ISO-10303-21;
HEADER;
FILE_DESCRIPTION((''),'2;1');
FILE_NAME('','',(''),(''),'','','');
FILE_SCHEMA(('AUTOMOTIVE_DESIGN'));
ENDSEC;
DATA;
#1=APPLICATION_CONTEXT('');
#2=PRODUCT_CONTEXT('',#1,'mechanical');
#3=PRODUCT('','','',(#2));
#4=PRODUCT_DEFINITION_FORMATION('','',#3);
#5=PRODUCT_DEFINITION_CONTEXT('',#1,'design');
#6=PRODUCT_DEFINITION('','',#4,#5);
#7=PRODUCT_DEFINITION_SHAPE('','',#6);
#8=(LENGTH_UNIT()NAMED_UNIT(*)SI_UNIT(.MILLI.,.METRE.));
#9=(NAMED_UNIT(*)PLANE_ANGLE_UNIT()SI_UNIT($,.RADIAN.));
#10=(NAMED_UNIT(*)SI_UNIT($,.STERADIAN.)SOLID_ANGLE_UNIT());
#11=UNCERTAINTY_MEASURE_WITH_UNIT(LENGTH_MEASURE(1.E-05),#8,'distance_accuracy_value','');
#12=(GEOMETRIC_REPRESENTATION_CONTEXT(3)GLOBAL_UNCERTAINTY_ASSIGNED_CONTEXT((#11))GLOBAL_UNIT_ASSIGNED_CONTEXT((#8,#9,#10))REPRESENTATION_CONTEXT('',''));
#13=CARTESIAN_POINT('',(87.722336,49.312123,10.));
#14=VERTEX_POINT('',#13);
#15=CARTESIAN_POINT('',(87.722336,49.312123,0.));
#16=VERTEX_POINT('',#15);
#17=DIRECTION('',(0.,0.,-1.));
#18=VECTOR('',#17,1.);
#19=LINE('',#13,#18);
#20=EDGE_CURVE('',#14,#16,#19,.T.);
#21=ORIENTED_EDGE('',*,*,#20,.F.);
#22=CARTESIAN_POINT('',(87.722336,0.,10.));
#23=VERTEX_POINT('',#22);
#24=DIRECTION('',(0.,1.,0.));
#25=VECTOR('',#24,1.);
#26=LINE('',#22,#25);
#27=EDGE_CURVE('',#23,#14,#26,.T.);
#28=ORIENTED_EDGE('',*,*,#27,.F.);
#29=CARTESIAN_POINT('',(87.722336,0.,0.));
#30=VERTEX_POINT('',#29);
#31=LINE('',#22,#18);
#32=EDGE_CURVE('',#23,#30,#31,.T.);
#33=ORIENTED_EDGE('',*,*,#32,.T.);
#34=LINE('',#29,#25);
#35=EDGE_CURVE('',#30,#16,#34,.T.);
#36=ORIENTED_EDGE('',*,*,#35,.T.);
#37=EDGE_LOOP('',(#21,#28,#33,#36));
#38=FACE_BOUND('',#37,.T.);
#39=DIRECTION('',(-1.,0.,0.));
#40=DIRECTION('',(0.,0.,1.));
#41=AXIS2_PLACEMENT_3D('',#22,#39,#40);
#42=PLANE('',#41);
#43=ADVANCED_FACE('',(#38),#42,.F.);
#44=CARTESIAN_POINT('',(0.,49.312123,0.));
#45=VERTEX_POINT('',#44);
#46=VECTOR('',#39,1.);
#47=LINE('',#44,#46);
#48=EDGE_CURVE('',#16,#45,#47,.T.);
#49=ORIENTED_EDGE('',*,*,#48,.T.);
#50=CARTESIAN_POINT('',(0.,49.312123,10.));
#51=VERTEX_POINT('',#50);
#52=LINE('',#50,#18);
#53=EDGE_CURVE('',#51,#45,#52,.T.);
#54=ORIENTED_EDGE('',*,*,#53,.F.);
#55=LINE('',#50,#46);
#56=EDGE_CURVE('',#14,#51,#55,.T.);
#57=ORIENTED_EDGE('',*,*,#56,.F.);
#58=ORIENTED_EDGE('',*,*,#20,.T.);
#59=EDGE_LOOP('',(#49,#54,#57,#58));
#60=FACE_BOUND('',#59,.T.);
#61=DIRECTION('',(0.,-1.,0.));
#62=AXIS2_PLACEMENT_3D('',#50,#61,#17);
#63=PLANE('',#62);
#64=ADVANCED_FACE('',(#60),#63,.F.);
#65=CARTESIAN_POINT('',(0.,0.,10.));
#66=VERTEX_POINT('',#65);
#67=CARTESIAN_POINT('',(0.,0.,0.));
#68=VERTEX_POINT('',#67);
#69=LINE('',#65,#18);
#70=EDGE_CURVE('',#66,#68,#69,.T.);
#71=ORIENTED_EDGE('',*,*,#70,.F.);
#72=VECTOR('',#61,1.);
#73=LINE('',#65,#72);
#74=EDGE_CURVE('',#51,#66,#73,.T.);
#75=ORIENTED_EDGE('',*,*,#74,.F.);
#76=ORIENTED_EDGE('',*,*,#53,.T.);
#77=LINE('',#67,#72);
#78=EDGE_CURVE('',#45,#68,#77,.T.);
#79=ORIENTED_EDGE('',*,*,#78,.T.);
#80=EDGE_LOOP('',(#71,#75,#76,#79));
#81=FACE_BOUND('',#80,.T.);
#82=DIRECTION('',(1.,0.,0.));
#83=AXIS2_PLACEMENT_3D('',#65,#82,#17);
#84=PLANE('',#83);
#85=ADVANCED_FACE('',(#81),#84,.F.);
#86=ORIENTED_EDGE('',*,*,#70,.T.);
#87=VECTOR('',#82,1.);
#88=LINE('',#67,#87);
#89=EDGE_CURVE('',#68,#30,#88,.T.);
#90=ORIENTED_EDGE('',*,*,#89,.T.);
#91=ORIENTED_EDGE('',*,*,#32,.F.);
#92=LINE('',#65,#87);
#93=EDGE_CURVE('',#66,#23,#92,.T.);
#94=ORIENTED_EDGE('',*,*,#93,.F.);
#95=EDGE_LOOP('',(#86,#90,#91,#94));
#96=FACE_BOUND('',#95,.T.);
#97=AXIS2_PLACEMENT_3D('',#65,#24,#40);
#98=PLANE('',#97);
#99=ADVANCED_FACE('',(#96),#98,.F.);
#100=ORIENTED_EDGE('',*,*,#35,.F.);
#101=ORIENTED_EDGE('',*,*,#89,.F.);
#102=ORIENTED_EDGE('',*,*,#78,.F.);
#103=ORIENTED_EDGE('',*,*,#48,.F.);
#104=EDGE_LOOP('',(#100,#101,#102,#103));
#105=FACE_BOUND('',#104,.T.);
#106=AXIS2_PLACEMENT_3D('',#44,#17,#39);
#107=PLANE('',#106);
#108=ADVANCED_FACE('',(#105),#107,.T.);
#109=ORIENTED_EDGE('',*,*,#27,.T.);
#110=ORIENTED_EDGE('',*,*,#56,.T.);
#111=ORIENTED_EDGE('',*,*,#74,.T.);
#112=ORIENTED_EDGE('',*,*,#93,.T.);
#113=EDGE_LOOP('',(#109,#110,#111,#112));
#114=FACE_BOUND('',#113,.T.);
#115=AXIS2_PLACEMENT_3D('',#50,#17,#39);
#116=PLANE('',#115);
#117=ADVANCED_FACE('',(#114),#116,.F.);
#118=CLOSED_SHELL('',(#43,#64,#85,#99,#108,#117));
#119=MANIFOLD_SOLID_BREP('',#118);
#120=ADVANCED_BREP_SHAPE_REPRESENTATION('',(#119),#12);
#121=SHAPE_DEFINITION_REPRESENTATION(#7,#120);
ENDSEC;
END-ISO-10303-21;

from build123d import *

# Parameters (mm, degrees)
SKETCH2_W      = 87.722336182
SKETCH2_H      = 49.312122507
EXTRUDE1_DEPTH = 10


with BuildPart() as part:
    # Sketch2 → Extrude1 (new body)
    with BuildSketch(Plane.XY):
        with Locations((43.861168091, 24.656061254)):
            Rectangle(SKETCH2_W, SKETCH2_H)
    extrude(amount=EXTRUDE1_DEPTH)


solid = part.part
